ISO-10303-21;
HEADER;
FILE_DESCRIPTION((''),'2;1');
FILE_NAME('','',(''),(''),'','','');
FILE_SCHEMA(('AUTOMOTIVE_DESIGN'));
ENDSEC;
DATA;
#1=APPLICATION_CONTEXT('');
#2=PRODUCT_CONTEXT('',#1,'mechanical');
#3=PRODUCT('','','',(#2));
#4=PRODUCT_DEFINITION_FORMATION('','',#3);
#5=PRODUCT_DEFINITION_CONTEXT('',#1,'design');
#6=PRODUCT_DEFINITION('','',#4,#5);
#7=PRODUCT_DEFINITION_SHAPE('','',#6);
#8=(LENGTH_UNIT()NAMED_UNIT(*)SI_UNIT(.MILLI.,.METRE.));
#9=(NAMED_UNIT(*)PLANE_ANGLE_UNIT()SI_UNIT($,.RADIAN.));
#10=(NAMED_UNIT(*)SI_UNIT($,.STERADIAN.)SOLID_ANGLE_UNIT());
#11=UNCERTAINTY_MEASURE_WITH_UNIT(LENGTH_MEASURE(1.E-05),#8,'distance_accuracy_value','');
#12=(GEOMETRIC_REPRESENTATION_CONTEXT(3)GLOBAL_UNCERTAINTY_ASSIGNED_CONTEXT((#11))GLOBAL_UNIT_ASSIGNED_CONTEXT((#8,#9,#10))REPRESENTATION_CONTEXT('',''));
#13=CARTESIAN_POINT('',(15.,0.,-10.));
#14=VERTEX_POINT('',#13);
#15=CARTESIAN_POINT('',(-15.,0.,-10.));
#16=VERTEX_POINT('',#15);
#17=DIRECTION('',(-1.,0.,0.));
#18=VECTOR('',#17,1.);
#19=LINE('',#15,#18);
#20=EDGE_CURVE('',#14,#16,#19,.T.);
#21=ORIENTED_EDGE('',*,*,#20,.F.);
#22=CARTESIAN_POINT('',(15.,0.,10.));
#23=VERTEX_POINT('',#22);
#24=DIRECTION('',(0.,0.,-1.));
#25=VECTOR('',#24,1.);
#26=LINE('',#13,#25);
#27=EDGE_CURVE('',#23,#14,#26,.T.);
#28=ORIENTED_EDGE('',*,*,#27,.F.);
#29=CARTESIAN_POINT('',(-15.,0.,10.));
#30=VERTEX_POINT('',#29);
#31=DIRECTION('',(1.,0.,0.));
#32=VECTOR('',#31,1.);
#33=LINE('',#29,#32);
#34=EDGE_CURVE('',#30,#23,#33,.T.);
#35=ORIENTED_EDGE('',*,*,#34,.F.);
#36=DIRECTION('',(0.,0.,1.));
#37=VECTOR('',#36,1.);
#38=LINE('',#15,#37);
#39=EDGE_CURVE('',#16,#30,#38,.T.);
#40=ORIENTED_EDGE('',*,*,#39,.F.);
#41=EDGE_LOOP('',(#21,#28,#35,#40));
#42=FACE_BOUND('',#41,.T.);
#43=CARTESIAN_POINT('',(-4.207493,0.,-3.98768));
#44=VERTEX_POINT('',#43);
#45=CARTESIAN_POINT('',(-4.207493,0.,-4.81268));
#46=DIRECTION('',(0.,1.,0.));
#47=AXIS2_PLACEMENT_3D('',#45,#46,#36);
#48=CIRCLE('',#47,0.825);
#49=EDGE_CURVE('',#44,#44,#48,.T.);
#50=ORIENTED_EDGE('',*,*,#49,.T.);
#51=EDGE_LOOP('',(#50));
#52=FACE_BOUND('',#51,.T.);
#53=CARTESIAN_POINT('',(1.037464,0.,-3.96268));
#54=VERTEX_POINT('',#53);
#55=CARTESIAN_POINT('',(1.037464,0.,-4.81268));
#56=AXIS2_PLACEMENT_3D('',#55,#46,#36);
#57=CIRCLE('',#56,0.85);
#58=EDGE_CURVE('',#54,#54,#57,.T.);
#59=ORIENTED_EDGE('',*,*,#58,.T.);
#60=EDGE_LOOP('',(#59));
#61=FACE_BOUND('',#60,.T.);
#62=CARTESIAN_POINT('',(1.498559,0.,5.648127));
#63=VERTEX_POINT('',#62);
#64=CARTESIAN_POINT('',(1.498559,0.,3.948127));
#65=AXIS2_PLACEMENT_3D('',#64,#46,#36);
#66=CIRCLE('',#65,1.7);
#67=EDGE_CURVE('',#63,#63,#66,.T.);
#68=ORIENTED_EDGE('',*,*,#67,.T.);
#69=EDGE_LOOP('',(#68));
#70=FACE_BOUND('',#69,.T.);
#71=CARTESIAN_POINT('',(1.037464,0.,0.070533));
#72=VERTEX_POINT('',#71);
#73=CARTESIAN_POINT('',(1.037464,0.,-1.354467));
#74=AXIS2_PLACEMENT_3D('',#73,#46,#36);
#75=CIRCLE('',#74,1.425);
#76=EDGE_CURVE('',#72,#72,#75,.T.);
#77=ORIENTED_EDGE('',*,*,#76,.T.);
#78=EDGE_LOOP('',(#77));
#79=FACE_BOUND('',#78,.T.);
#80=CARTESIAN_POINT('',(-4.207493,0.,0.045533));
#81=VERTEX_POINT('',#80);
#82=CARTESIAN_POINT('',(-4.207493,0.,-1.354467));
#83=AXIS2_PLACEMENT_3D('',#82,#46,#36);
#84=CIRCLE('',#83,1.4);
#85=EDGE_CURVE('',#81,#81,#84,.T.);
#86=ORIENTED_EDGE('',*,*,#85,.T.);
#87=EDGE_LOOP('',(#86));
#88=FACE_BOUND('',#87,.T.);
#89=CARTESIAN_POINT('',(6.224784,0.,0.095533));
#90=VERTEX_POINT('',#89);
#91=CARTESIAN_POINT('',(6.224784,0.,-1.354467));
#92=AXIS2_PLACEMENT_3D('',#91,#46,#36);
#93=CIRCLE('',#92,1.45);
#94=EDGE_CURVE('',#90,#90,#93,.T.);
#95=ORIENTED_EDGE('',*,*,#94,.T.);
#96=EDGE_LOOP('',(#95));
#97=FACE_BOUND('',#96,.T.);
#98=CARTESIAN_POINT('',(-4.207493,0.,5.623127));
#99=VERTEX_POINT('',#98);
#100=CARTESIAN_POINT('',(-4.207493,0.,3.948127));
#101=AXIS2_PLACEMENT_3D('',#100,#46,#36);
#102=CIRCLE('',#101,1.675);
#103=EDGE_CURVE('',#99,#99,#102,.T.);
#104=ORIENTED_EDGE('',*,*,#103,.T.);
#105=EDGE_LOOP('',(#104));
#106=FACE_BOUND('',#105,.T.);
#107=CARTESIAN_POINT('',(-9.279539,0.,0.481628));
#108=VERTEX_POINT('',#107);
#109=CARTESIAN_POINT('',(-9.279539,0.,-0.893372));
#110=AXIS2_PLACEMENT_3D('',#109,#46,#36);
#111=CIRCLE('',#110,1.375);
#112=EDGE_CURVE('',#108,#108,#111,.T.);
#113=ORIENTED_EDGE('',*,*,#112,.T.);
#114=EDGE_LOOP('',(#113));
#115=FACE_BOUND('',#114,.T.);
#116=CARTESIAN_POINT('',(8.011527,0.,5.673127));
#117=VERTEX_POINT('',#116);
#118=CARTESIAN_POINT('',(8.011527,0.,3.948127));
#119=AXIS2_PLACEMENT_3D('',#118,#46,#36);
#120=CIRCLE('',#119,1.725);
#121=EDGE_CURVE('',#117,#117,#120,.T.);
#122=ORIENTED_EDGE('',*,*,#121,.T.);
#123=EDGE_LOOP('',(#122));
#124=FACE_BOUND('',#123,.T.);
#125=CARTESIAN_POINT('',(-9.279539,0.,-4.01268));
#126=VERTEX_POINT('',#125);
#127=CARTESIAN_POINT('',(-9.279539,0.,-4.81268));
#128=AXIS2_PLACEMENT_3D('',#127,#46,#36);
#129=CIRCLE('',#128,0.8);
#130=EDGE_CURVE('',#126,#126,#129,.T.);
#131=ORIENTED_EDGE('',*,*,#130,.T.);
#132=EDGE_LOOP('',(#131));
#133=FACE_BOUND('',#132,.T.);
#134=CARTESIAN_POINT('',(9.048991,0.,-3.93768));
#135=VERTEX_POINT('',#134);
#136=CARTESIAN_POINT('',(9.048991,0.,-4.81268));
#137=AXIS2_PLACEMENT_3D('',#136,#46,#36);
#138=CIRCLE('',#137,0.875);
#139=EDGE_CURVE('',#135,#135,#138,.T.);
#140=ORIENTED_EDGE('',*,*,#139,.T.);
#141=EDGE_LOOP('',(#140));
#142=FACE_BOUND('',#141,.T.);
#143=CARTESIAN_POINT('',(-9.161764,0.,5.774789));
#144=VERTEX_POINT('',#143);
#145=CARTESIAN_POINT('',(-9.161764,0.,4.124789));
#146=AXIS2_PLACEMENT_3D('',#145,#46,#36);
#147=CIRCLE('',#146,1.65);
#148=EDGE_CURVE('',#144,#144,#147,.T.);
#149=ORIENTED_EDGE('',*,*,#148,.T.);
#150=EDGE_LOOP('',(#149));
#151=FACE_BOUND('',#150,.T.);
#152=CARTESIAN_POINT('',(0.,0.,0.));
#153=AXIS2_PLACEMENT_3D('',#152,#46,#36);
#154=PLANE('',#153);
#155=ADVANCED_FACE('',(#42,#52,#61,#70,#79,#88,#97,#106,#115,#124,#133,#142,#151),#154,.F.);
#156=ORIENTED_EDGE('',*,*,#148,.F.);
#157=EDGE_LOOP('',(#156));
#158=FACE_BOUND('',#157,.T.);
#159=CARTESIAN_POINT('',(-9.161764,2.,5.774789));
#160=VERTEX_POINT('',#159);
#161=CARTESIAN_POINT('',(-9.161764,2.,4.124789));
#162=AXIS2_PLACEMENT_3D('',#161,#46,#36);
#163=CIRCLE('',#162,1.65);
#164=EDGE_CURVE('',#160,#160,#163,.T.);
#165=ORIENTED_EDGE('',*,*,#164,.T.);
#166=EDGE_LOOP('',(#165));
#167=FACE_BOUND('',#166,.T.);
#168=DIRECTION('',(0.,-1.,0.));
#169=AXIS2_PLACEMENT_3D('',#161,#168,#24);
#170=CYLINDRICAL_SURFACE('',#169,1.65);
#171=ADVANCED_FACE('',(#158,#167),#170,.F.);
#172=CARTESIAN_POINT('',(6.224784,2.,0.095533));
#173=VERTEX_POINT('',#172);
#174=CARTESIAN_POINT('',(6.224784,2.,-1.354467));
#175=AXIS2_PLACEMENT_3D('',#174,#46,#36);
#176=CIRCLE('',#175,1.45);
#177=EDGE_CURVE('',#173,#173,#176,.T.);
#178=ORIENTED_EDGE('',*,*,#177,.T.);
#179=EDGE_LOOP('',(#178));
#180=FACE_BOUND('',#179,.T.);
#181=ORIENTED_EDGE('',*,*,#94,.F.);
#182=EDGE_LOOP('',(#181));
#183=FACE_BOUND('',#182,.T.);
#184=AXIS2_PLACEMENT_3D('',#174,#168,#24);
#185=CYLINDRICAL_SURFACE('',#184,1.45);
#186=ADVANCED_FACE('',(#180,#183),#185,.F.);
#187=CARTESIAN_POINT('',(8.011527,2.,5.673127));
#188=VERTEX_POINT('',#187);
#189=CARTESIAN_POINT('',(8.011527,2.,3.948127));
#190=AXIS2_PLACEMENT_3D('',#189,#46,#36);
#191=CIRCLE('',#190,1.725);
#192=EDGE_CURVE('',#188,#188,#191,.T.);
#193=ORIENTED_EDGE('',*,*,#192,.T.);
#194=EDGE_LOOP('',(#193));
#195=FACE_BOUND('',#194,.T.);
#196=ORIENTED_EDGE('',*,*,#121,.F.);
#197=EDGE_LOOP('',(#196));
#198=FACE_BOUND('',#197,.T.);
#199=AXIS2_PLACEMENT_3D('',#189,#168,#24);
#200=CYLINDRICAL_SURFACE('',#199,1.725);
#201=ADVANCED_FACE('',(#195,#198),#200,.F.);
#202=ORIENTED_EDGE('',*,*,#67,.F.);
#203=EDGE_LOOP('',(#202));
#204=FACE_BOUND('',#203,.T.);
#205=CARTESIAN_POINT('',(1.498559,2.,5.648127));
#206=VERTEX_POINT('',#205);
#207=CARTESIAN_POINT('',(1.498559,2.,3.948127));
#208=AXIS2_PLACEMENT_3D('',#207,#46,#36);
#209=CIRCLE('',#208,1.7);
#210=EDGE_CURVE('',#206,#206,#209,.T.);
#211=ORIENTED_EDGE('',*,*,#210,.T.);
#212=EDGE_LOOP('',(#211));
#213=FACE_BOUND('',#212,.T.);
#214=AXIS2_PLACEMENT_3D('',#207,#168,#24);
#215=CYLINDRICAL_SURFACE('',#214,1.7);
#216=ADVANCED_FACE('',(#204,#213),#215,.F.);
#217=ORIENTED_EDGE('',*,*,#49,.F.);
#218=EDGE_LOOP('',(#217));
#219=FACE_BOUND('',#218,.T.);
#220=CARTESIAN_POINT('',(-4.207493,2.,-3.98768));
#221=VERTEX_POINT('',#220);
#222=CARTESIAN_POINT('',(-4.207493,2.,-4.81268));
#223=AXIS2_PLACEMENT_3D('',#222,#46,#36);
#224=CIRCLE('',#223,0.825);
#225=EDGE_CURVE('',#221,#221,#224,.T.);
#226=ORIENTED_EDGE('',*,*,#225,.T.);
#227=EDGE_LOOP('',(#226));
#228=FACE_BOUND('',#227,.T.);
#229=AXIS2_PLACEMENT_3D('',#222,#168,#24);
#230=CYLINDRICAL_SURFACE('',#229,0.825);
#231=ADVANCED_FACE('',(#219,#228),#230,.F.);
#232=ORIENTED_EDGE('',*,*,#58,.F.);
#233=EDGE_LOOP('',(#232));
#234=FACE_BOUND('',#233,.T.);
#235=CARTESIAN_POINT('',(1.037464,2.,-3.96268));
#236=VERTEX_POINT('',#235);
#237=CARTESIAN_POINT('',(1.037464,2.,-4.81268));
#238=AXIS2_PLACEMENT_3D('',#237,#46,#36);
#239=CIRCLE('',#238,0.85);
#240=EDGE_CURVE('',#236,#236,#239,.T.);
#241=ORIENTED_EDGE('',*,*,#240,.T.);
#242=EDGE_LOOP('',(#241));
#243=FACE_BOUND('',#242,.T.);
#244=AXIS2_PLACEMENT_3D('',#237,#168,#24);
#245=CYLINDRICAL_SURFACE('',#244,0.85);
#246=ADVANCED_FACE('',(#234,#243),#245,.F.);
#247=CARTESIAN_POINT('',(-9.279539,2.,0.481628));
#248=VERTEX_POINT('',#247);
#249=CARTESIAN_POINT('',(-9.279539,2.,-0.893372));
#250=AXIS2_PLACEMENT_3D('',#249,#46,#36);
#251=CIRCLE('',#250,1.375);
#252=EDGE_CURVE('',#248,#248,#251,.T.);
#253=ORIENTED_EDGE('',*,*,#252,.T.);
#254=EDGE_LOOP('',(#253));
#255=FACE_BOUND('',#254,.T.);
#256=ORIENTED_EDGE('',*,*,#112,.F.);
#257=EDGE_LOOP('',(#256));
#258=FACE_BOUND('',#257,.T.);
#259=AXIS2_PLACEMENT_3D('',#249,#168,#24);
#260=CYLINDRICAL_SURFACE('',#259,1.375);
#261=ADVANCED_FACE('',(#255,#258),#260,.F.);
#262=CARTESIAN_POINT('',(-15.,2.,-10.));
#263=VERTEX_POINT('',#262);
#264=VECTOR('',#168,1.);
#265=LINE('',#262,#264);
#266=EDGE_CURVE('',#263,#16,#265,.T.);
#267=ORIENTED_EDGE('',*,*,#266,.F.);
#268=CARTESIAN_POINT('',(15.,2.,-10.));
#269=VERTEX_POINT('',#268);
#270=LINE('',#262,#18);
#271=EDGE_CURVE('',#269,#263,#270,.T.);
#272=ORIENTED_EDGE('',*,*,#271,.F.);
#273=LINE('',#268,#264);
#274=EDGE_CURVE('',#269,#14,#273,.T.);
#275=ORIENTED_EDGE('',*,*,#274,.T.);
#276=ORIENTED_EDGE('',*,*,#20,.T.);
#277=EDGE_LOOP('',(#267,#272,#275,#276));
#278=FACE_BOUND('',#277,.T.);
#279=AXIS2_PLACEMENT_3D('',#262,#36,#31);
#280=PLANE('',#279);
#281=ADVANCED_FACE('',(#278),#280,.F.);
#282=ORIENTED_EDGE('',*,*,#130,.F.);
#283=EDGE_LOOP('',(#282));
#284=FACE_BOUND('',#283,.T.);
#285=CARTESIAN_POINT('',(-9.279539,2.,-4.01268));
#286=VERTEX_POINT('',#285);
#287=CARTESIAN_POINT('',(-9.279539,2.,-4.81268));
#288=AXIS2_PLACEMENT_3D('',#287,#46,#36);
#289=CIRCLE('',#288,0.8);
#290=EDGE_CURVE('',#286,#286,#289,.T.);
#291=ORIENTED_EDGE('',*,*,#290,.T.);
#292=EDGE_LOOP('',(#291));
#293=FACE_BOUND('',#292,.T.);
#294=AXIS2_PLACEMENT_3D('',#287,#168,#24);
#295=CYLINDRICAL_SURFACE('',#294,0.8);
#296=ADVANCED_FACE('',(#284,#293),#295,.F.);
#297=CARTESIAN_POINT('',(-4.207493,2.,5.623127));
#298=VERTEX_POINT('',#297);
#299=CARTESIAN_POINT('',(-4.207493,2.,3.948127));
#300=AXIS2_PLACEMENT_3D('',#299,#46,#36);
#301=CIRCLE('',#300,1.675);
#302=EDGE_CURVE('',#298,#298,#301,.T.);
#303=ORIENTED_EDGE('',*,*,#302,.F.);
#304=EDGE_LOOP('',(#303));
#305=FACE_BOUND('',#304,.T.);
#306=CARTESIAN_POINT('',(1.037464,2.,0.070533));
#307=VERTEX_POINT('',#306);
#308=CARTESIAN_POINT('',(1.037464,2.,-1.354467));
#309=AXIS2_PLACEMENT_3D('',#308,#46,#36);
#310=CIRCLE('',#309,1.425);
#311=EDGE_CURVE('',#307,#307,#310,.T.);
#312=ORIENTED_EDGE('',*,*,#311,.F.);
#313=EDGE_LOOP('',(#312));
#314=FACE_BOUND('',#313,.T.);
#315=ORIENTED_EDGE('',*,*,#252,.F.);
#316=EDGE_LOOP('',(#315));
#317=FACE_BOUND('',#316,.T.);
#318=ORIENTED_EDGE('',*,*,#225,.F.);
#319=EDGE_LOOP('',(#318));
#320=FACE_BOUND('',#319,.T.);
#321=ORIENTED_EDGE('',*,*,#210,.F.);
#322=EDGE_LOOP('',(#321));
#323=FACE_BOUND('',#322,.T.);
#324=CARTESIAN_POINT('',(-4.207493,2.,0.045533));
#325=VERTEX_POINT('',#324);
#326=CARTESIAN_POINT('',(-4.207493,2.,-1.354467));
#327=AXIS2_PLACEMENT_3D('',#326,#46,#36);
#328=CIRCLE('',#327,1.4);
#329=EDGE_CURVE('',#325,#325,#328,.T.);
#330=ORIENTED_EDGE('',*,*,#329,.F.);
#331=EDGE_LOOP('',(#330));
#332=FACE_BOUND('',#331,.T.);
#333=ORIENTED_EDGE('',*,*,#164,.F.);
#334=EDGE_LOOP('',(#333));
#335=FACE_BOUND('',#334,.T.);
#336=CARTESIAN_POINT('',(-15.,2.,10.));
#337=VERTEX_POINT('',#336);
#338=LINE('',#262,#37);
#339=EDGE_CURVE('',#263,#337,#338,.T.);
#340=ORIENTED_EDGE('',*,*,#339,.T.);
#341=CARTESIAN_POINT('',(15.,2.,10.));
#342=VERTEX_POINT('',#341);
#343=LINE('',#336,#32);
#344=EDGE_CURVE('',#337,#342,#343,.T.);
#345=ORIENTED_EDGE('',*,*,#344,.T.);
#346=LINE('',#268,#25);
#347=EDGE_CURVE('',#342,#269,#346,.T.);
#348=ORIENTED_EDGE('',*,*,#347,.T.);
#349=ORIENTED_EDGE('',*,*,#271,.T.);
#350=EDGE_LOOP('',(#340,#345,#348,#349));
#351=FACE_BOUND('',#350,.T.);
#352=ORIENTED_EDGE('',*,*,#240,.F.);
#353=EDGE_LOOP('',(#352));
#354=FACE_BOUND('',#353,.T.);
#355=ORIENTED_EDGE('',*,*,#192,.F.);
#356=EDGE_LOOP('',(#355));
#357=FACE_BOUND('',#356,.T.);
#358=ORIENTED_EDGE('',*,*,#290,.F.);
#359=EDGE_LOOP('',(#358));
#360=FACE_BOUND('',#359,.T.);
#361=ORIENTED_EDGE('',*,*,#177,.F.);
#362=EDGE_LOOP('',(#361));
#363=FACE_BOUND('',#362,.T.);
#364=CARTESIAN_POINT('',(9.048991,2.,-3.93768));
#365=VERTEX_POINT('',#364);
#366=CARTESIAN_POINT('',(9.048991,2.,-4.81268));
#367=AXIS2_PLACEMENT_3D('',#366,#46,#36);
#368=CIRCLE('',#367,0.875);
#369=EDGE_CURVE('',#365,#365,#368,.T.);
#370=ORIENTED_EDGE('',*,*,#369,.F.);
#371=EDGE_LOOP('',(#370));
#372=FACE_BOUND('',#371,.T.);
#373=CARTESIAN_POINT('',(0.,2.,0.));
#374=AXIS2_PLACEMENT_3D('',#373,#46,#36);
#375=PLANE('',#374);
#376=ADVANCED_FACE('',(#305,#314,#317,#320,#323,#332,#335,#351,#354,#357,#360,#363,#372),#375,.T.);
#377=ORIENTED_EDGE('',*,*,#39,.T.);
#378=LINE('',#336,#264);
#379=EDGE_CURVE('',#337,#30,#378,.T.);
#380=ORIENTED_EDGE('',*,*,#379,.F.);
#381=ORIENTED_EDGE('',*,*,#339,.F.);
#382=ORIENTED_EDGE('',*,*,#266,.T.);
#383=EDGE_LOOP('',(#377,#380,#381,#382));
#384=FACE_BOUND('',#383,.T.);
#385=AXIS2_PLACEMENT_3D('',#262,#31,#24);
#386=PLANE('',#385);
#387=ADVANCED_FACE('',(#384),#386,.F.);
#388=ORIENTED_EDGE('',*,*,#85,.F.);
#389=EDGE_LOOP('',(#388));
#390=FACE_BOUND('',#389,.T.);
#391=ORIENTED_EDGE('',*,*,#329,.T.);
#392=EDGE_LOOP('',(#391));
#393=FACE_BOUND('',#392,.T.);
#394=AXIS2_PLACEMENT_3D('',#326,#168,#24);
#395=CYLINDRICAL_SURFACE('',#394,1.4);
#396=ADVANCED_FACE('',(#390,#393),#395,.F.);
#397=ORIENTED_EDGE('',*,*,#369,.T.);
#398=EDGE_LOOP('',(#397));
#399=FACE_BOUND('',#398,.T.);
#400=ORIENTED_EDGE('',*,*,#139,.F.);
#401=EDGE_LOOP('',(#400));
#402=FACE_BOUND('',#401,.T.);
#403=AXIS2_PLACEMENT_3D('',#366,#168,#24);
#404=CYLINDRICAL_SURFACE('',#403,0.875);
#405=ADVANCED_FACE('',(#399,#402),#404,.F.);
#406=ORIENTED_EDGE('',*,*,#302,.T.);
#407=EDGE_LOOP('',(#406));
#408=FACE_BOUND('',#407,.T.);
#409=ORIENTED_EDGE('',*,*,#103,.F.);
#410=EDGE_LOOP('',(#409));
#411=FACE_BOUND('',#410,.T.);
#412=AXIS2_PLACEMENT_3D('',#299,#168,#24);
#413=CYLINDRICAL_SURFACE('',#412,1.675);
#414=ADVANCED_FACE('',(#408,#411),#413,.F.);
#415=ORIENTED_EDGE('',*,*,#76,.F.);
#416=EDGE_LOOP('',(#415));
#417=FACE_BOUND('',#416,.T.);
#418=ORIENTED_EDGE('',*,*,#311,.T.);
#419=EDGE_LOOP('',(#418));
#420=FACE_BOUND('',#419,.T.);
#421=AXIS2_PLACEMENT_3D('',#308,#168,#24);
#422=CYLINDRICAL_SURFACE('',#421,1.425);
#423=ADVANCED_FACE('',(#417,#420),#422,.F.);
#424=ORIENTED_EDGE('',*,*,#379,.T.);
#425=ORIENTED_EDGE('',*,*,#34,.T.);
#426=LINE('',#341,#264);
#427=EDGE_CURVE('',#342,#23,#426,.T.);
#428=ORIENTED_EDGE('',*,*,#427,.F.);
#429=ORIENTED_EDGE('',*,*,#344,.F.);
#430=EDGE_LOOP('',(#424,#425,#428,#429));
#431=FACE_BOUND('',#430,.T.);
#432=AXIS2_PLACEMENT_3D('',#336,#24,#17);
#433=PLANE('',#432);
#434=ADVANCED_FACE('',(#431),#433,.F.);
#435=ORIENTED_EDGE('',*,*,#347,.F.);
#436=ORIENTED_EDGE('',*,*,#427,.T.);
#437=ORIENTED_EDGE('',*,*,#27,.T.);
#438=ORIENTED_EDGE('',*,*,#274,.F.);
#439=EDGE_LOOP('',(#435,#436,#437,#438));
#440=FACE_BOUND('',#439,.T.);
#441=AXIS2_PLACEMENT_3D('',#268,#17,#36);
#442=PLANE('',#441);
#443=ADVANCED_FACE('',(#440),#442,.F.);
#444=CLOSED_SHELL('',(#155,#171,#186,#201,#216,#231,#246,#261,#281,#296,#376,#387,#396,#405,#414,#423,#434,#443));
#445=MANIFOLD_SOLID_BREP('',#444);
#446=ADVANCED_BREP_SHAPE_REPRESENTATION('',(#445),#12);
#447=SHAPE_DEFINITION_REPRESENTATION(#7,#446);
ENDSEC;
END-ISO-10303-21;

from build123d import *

# Parameters (mm, degrees)
SKETCH_1_W      = 30
SKETCH_1_H      = 20
SKETCH_1_R      = 0.8
SKETCH_1_R_2    = 0.825
SKETCH_1_R_3    = 0.85
SKETCH_1_R_4    = 0.875
SKETCH_1_R_5    = 1.375
SKETCH_1_R_6    = 1.4
SKETCH_1_R_7    = 1.425
SKETCH_1_R_8    = 1.45
SKETCH_1_R_9    = 1.65
SKETCH_1_R_10   = 1.675
SKETCH_1_R_11   = 1.7
SKETCH_1_R_12   = 1.725
EXTRUDE_1_DEPTH = 2


with BuildPart() as part:
    # 草图1 → 凸台-拉伸1 (new body)
    with BuildSketch(Plane(origin=(0, 0, 0), x_dir=(1, 0, 0), z_dir=(0, 1, 0))):
        Rectangle(SKETCH_1_W, SKETCH_1_H)
        with Locations((-9.279538905, 4.812680115)):
            Circle(SKETCH_1_R, mode=Mode.SUBTRACT)
        with Locations((-4.207492795, 4.812680115)):
            Circle(SKETCH_1_R_2, mode=Mode.SUBTRACT)
        with Locations((1.037463977, 4.812680115)):
            Circle(SKETCH_1_R_3, mode=Mode.SUBTRACT)
        with Locations((9.048991354, 4.812680115)):
            Circle(SKETCH_1_R_4, mode=Mode.SUBTRACT)
        with Locations((-9.279538905, 0.893371758)):
            Circle(SKETCH_1_R_5, mode=Mode.SUBTRACT)
        with Locations((-4.207492795, 1.354466859)):
            Circle(SKETCH_1_R_6, mode=Mode.SUBTRACT)
        with Locations((1.037463977, 1.354466859)):
            Circle(SKETCH_1_R_7, mode=Mode.SUBTRACT)
        with Locations((6.224783862, 1.354466859)):
            Circle(SKETCH_1_R_8, mode=Mode.SUBTRACT)
        with Locations((-9.161763858, -4.124789371)):
            Circle(SKETCH_1_R_9, mode=Mode.SUBTRACT)
        with Locations((-4.207492795, -3.948126801)):
            Circle(SKETCH_1_R_10, mode=Mode.SUBTRACT)
        with Locations((1.498559078, -3.948126801)):
            Circle(SKETCH_1_R_11, mode=Mode.SUBTRACT)
        with Locations((8.011527378, -3.948126801)):
            Circle(SKETCH_1_R_12, mode=Mode.SUBTRACT)
    extrude(amount=EXTRUDE_1_DEPTH)


solid = part.part
